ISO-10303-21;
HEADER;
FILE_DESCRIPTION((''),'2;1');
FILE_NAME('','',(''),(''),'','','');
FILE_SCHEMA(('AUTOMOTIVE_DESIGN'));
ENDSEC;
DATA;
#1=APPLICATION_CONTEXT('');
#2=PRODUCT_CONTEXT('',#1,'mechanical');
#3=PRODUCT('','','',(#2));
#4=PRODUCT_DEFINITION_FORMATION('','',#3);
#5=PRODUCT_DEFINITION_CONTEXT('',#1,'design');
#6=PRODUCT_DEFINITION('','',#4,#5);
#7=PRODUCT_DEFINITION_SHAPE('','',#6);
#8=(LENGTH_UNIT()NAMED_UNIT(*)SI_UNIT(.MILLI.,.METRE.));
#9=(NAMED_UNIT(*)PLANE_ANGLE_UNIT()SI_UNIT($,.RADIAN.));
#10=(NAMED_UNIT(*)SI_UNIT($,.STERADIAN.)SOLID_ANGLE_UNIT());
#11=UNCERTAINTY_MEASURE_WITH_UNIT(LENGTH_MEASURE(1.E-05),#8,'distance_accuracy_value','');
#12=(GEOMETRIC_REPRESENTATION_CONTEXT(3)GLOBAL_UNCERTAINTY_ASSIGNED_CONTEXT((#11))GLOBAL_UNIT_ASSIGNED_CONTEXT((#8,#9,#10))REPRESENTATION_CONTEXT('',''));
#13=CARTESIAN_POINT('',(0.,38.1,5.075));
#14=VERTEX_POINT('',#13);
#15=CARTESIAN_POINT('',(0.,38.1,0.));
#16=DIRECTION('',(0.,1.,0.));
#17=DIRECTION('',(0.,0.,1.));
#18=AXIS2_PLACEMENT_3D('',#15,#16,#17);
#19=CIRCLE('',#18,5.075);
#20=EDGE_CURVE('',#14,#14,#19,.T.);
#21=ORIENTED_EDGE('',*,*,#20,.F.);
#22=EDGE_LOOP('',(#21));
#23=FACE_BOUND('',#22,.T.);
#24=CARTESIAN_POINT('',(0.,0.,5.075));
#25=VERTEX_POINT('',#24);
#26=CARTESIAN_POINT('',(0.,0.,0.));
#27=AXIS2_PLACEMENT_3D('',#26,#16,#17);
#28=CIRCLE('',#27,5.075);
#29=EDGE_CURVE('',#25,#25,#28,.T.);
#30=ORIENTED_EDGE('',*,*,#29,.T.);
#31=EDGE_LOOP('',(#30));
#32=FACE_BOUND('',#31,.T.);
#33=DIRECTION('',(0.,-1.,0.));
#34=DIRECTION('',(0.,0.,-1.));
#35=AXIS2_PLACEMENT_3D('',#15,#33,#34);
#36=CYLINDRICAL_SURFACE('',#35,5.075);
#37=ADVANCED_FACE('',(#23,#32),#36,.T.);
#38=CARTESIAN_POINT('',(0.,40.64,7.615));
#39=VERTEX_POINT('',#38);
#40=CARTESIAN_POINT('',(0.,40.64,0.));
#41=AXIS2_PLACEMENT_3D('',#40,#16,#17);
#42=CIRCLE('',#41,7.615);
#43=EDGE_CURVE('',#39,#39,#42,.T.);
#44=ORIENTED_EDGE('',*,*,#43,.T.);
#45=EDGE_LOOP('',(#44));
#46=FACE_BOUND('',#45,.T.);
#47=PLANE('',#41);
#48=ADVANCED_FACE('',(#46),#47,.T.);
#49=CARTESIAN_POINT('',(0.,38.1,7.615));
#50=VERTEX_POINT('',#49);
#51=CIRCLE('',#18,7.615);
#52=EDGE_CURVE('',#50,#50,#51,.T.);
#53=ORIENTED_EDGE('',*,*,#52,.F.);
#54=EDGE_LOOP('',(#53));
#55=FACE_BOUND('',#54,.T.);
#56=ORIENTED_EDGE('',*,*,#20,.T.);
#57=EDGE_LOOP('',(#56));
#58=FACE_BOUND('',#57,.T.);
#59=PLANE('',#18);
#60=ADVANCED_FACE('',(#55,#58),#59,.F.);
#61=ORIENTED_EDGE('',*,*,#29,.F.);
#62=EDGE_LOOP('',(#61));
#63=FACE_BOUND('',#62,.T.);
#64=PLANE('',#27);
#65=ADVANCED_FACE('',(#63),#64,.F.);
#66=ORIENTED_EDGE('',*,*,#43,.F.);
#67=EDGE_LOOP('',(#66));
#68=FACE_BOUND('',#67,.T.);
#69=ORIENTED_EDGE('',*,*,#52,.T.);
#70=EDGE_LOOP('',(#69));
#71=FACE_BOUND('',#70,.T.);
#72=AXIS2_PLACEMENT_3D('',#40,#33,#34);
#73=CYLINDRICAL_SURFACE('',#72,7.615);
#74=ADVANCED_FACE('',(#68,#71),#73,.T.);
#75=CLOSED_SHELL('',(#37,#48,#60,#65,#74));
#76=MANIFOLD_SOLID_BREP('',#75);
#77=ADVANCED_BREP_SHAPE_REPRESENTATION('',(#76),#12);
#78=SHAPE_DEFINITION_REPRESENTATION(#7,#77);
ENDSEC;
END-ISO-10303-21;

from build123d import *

# Parameters (mm, degrees)
SKETCH1_R           = 5.075
BOSS_EXTRUDE1_DEPTH = 38.1
SKETCH2_R           = 7.615
BOSS_EXTRUDE2_DEPTH = 2.54


with BuildPart() as part:
    # Sketch1 → Boss-Extrude1 (new body)
    with BuildSketch(Plane(origin=(0, 0, 0), x_dir=(1, 0, 0), z_dir=(0, 1, 0))):
        Circle(SKETCH1_R)
    extrude(amount=BOSS_EXTRUDE1_DEPTH)

    # Sketch2 → Boss-Extrude2 (add)
    with BuildSketch(Plane(origin=(0, 38.1, 0), x_dir=(1, 0, 0), z_dir=(0, 1, 0))):
        Circle(SKETCH2_R)
    extrude(amount=BOSS_EXTRUDE2_DEPTH)


solid = part.part
